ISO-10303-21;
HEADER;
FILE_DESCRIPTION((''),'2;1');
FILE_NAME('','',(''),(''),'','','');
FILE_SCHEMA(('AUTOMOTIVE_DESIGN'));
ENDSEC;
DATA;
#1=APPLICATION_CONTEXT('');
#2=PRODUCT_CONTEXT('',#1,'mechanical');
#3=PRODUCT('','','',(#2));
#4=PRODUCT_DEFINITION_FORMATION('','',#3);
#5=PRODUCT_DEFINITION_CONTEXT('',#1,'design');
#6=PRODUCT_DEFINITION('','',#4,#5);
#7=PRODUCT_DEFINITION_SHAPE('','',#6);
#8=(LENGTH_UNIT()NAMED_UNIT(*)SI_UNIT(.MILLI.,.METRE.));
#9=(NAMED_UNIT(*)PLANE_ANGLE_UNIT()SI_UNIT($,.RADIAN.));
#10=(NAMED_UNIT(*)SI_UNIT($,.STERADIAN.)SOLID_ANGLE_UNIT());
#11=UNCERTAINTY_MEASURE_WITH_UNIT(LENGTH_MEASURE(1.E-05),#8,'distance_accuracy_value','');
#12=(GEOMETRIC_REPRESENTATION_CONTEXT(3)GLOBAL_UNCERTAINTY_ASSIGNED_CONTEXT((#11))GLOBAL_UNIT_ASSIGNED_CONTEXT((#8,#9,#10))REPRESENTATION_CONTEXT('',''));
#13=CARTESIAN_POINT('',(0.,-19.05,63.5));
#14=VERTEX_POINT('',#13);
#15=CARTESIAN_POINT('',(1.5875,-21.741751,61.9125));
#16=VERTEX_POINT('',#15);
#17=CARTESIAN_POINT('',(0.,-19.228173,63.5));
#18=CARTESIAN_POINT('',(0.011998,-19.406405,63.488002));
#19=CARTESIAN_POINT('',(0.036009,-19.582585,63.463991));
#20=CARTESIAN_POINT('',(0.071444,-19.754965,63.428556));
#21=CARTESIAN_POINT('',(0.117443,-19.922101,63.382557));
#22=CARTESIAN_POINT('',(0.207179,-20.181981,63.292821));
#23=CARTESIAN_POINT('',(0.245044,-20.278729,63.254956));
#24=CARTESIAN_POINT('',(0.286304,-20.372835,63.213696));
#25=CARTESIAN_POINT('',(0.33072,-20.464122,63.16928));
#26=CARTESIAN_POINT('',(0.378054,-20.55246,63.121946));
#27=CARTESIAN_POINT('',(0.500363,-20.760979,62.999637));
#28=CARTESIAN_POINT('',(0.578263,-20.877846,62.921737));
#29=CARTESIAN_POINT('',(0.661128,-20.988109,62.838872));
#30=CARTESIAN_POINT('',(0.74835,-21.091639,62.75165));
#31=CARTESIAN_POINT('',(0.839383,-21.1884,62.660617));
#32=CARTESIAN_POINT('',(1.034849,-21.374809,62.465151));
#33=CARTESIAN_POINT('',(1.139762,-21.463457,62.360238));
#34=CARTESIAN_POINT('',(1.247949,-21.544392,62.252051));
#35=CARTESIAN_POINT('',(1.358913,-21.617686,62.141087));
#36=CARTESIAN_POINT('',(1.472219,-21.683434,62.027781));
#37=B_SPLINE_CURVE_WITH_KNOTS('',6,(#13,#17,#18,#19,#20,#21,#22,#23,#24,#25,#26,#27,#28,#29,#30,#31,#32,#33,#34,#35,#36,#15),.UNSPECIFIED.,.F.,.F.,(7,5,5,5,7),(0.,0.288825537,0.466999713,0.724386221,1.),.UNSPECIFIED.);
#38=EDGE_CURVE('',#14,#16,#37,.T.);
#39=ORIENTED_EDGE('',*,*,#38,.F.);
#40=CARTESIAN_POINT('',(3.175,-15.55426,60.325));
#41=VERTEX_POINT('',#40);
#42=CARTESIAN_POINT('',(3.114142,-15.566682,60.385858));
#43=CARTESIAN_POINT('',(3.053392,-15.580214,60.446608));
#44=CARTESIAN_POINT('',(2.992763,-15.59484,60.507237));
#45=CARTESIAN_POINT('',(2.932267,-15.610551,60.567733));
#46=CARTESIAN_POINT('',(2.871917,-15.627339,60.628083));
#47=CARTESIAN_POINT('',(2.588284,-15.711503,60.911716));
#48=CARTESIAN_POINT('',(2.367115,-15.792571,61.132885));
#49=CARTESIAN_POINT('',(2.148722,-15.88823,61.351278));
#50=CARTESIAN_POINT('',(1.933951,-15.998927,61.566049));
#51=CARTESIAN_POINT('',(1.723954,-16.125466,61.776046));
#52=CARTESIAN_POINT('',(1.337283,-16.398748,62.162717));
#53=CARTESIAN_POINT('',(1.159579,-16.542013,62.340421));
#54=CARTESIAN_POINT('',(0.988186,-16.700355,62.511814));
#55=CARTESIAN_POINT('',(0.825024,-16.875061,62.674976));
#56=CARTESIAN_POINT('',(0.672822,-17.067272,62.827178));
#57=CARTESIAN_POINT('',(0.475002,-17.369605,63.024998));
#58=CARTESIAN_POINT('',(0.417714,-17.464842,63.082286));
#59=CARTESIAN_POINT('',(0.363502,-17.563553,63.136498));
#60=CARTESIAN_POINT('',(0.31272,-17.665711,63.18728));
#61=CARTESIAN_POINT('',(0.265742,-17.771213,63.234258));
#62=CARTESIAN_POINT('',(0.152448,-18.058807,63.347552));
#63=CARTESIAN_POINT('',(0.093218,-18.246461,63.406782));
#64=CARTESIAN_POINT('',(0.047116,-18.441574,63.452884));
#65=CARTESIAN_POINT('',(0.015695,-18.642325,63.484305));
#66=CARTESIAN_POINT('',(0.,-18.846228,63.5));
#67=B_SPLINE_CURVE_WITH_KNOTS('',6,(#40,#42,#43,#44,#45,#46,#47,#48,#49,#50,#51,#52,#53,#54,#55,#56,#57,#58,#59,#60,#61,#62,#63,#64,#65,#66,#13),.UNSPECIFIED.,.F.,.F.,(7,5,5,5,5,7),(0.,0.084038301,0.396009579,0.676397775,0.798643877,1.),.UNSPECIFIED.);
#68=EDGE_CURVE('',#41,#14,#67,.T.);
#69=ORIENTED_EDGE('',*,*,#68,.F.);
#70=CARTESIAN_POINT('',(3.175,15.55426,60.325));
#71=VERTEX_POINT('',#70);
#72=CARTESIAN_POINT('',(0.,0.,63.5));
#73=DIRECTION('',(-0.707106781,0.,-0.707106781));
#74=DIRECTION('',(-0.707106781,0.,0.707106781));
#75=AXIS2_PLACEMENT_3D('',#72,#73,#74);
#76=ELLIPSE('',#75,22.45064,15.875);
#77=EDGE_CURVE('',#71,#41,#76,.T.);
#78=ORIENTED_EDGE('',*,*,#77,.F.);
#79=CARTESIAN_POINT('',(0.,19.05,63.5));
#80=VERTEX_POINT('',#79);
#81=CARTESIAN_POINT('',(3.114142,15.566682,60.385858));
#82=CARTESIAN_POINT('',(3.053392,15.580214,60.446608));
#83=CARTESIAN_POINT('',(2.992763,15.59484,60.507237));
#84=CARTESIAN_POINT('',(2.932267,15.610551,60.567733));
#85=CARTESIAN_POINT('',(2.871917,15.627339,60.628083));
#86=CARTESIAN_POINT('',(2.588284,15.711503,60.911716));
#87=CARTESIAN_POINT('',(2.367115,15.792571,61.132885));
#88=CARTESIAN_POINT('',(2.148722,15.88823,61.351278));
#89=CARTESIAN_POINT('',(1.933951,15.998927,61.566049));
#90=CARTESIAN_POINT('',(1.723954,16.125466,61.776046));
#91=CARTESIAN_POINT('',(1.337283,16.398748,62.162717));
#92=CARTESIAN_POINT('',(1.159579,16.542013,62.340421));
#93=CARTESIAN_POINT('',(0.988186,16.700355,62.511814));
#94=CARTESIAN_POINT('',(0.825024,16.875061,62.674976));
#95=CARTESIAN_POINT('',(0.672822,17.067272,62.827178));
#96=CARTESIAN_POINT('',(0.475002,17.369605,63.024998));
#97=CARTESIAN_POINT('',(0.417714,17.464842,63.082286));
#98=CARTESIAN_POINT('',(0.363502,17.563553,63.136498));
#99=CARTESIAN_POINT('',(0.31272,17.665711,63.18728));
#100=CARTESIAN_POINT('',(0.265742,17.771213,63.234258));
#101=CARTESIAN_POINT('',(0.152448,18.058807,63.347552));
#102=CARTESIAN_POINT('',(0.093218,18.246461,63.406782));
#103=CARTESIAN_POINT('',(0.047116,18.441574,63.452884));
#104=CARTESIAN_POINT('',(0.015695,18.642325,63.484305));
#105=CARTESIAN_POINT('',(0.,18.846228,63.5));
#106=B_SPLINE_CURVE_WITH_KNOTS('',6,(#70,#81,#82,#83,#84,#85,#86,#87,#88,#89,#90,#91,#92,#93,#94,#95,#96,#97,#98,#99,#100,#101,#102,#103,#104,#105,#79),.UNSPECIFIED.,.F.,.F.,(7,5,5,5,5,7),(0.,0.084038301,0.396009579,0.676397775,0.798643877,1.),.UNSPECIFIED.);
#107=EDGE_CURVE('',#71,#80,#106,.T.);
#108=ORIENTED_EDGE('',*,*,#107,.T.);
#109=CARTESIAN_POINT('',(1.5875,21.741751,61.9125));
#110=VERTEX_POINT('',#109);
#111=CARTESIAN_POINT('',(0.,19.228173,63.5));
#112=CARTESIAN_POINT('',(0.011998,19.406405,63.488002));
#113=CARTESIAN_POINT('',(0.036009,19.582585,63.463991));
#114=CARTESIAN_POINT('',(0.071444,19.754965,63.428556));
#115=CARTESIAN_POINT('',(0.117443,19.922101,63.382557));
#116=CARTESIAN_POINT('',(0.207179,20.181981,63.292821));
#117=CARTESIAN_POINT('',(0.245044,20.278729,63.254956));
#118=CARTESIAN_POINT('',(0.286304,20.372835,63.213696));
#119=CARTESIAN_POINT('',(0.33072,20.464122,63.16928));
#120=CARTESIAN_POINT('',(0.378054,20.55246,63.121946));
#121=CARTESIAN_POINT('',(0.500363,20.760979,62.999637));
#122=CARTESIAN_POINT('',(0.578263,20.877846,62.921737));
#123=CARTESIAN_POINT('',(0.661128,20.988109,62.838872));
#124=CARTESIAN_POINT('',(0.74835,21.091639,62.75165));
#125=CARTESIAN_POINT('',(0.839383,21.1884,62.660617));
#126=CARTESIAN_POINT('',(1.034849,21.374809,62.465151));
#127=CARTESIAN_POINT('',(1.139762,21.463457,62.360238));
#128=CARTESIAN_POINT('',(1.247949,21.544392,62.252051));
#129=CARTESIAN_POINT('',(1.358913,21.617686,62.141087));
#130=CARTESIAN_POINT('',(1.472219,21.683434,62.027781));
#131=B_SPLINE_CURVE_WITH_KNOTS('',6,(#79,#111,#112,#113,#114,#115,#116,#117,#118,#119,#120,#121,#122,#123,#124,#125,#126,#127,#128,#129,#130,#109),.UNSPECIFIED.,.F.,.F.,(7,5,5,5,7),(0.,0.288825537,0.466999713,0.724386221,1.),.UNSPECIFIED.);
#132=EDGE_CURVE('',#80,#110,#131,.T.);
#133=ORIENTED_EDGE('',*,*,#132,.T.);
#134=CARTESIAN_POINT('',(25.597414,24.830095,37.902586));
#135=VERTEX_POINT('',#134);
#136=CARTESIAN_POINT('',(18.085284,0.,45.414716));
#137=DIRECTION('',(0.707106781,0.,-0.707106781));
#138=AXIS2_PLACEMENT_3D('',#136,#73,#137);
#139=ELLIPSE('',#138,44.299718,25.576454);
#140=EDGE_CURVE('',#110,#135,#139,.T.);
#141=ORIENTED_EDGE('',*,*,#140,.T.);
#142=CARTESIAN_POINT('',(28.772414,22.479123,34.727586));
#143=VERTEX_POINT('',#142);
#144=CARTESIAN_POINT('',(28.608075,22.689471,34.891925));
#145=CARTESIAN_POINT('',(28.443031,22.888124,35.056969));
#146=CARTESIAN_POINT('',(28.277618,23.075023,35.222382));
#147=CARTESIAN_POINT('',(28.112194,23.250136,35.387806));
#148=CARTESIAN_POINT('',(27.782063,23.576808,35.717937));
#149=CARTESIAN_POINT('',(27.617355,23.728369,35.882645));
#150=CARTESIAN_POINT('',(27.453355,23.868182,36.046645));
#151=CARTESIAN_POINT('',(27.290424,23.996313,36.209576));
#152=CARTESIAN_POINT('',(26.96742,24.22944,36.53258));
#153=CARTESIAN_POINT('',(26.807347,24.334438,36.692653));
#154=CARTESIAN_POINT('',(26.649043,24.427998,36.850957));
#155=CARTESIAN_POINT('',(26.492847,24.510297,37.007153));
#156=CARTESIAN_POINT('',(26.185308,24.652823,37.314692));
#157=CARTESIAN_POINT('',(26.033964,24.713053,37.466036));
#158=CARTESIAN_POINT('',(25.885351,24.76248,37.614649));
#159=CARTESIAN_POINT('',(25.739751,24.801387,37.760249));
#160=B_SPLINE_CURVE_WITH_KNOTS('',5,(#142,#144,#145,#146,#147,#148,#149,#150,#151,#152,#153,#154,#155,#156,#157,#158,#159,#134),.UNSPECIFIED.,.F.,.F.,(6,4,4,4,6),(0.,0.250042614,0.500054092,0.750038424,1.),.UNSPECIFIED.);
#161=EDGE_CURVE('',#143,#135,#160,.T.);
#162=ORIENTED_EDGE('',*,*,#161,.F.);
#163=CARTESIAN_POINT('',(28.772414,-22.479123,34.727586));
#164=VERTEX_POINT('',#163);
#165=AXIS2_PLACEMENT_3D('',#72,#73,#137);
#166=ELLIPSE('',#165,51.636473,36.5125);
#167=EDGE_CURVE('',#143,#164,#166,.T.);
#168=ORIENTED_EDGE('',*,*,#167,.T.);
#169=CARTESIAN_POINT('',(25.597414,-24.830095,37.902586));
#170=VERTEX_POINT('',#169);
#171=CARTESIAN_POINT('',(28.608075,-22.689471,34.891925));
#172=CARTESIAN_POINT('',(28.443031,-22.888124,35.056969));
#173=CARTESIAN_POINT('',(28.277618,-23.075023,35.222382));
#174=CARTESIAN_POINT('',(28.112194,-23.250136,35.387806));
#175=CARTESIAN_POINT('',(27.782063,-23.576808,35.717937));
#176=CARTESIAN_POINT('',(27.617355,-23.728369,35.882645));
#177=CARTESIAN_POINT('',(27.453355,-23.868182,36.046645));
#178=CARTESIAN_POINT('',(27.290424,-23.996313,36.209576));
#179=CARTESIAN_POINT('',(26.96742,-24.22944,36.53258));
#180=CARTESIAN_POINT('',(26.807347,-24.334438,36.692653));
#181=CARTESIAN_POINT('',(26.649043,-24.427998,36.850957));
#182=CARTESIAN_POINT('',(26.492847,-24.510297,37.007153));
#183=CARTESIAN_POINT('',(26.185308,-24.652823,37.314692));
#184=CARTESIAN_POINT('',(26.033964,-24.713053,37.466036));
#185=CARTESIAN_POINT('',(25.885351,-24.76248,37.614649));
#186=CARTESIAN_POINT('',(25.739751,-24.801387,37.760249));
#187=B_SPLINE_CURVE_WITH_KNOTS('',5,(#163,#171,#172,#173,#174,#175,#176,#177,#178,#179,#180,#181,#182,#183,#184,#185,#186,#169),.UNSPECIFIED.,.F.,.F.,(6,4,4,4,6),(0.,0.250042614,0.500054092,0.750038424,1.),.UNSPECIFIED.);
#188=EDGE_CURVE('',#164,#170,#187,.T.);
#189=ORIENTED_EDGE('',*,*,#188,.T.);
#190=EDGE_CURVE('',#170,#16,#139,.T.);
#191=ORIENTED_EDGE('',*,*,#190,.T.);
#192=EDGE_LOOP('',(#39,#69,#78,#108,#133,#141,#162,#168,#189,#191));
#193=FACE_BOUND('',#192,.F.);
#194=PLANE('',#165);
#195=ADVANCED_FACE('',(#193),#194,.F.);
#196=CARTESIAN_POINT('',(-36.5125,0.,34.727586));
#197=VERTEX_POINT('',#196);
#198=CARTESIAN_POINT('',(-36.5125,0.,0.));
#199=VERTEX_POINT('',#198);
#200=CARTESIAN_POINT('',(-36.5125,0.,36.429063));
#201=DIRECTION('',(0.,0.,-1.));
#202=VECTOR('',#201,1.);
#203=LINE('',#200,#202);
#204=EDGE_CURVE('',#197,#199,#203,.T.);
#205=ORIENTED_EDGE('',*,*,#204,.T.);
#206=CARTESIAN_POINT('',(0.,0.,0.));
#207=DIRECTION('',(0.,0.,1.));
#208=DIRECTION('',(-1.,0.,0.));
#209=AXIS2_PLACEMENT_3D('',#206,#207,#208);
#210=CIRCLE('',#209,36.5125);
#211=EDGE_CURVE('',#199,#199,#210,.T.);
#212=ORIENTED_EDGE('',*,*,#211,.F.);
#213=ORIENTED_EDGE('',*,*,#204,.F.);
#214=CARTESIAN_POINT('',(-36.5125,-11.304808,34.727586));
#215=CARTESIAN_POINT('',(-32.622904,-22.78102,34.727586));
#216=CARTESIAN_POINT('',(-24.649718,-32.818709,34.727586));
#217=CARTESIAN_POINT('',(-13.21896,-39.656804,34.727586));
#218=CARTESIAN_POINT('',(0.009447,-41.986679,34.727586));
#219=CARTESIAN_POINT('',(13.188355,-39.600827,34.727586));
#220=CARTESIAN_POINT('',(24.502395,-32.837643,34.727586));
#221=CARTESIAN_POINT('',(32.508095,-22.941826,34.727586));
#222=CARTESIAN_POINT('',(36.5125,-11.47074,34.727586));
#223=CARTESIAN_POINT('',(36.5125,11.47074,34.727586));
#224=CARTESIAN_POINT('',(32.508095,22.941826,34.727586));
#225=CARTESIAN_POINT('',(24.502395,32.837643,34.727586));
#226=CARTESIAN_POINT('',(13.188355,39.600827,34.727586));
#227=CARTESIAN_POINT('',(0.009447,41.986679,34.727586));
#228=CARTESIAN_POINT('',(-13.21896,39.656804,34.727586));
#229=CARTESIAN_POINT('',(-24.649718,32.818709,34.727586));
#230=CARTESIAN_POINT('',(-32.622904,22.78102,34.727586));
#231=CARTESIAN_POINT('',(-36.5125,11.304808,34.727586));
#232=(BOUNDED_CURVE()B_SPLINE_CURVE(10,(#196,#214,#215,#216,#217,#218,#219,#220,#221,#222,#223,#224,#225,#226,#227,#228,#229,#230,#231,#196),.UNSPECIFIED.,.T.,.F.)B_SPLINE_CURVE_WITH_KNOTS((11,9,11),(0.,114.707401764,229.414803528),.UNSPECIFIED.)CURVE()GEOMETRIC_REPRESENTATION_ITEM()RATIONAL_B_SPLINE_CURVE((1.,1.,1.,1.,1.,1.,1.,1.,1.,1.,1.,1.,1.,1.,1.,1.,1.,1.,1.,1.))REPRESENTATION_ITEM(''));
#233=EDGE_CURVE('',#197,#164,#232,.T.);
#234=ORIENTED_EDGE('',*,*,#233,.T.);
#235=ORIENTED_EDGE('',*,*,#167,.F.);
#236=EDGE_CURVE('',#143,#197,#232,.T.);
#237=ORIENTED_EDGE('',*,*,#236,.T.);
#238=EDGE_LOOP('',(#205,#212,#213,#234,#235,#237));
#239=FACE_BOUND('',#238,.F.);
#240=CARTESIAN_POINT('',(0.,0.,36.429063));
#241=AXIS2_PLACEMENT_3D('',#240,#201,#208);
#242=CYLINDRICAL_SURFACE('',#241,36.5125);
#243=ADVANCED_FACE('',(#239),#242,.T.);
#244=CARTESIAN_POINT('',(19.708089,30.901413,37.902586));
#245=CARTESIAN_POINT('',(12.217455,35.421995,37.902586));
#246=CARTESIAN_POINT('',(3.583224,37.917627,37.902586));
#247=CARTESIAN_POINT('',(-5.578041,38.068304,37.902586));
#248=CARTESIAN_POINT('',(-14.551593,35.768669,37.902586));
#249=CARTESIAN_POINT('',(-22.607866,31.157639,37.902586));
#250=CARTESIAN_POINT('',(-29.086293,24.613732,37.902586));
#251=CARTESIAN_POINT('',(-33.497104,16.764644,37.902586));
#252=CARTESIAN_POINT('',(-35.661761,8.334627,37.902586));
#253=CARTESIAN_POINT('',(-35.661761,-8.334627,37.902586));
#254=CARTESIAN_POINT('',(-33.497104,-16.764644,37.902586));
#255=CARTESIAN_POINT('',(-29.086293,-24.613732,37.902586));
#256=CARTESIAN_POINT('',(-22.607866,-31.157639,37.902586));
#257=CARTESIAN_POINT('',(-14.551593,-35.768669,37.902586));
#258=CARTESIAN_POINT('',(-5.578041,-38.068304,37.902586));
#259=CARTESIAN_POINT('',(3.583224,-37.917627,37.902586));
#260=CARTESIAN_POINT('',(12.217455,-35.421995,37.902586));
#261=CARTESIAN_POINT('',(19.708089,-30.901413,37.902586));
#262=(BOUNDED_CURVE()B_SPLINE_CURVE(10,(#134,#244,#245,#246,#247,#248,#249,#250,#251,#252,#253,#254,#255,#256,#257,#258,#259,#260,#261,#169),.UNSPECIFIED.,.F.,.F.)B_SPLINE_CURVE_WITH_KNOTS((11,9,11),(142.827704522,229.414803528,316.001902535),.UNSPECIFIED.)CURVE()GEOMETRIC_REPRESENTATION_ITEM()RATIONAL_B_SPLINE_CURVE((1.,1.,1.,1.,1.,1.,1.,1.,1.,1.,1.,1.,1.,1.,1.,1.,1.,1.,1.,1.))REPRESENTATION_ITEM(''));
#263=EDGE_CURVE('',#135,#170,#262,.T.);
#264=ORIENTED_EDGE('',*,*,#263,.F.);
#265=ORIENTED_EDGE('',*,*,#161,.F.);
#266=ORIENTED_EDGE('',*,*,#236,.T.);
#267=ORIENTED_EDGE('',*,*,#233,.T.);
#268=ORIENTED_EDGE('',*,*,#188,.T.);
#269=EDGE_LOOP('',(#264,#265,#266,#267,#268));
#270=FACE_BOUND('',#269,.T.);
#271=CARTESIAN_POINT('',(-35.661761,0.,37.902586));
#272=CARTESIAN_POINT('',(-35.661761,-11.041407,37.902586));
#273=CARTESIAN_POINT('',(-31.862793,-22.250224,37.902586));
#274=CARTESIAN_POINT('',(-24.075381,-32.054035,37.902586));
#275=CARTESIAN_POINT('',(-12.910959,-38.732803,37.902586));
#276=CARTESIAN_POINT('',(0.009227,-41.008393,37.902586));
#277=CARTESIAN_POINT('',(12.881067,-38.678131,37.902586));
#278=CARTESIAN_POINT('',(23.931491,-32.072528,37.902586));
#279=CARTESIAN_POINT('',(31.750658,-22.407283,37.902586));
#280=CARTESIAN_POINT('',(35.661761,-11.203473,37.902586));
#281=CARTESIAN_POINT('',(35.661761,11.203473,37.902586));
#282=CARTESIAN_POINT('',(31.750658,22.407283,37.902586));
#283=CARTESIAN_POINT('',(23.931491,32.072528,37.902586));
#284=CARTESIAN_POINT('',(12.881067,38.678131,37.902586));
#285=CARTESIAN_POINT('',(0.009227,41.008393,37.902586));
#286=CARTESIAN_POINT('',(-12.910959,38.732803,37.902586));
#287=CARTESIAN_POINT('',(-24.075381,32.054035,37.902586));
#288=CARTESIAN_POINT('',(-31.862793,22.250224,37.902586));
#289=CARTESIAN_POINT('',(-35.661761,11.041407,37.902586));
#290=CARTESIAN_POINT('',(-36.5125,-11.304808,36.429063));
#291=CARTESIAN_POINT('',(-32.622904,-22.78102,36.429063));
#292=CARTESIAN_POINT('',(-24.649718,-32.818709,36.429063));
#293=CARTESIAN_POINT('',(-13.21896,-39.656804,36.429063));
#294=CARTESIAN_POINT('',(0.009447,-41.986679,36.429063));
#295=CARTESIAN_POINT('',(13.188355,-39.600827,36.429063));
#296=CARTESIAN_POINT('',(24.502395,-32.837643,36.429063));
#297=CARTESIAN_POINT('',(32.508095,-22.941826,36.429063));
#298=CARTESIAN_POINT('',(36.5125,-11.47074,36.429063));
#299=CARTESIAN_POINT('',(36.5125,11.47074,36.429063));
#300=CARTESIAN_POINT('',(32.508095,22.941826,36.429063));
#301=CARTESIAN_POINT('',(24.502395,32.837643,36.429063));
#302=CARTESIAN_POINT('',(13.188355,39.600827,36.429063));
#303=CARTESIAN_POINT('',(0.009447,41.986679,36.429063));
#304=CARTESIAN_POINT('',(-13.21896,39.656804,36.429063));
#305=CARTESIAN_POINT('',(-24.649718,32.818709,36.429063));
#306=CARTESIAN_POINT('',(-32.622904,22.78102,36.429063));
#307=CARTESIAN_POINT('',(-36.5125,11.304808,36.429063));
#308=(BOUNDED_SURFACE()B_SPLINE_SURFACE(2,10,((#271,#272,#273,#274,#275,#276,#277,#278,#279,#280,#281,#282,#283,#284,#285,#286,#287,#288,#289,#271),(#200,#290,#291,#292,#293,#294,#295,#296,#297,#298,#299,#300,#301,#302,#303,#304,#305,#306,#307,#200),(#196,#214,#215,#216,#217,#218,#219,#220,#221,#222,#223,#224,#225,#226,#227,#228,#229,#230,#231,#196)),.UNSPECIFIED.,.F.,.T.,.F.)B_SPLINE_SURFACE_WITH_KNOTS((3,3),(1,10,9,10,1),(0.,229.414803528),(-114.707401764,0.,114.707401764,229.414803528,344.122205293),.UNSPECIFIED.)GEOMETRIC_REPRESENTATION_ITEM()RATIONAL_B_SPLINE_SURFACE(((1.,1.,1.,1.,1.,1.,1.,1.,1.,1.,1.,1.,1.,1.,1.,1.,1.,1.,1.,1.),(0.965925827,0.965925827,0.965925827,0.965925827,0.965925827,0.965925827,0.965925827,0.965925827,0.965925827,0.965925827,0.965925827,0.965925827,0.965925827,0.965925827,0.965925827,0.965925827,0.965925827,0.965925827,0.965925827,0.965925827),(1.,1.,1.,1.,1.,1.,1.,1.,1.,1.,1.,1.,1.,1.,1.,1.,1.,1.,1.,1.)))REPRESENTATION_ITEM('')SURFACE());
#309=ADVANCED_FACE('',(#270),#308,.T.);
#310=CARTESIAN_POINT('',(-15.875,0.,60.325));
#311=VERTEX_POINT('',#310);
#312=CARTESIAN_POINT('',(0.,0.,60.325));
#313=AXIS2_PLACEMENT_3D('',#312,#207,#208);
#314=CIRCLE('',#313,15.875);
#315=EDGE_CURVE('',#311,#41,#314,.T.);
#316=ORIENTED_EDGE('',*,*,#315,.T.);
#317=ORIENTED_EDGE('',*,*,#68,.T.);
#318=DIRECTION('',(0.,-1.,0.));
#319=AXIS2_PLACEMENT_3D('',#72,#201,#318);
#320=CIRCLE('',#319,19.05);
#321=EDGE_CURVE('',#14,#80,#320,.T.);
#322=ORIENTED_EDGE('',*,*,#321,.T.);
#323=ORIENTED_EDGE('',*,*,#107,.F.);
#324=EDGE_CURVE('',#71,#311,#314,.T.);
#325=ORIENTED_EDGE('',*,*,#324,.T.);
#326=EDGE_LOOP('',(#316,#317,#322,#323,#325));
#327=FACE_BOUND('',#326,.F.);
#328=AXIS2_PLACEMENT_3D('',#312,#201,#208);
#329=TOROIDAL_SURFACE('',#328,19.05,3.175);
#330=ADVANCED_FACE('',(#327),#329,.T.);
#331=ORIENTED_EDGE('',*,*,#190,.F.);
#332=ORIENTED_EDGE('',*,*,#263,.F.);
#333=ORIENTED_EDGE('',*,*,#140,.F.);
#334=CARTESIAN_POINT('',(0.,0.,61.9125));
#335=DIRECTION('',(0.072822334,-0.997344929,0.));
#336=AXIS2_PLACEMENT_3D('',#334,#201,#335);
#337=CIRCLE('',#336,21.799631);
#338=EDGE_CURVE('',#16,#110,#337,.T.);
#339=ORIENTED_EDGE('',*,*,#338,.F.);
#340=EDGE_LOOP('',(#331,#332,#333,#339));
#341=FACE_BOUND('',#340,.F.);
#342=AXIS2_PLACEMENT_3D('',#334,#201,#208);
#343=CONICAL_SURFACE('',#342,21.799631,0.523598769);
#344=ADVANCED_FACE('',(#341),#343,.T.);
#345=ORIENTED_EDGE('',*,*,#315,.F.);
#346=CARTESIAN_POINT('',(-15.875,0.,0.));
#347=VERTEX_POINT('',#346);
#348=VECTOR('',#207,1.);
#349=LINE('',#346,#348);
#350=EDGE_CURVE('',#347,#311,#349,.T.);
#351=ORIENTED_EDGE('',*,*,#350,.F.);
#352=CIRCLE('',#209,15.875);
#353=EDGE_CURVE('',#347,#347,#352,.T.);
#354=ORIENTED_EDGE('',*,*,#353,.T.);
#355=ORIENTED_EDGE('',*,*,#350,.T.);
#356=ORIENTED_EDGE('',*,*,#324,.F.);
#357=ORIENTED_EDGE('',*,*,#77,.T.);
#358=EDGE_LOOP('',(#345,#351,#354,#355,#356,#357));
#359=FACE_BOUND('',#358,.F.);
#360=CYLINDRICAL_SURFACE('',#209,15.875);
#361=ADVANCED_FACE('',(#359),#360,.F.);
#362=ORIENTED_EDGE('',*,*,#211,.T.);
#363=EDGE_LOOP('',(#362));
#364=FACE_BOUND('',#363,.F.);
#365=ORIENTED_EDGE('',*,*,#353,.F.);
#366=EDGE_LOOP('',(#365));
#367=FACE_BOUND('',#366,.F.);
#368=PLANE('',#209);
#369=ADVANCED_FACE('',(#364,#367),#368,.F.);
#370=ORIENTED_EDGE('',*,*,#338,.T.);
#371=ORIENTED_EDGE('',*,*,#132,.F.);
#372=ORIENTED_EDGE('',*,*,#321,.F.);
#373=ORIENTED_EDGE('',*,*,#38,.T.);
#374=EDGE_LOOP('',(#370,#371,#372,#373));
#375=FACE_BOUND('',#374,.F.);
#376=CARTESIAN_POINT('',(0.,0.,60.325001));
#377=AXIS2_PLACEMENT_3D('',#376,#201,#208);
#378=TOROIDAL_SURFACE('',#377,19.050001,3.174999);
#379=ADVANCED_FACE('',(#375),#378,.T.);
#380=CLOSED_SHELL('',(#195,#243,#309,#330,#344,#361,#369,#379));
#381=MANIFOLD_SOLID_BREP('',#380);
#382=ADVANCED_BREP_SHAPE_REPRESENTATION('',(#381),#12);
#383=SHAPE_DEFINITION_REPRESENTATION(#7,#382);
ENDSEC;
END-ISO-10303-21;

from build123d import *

# Parameters (mm, degrees)
F2_R     = 6.35
F4_DEPTH = 127


with BuildPart() as f1:
    # F0 (on Front) → F1 (revolve)
    with BuildSketch(Plane.XZ):
        with BuildLine():
            ThreePointArc((-21.799631, 61.9125), (-19.87175, 57.258186), (-15.875, 60.325))
            ThreePointArc((-15.875, 60.325), (-16.804936, 62.570064), (-19.05, 63.5))
            ThreePointArc((-19.05, 63.5), (-20.6375, 63.074631), (-21.799631, 61.9125))
        make_face()
        with BuildLine():
            Line((-36.5125, 0), (-15.875, 0))
            Line((-15.875, 0), (-15.875, 60.325))
            ThreePointArc((-15.875, 60.325), (-19.87175, 57.258186), (-21.799631, 61.9125))
            Line((-21.799631, 61.9125), (-36.5125, 36.429063))
            Line((-36.5125, 36.429063), (-36.5125, 0))
        make_face()
    revolve(axis=Axis((0, 0, 26.929792), (0, 0, 1)))

    # F2
    f2_edges = [f1.edges().sort_by_distance(p)[0] for p in [
        (36.5125, 0, 36.429063),
    ]]
    fillet(f2_edges, radius=F2_R)

    # F3 (on Front) → F4 (cut, symmetric)
    with BuildSketch(Plane.XZ):
        Polygon((0, 88.9), (0, 63.5), (50.8, 12.7), (50.8, 88.9), align=None)
    extrude(amount=F4_DEPTH, both=True, mode=Mode.SUBTRACT)


solid = f1.part
